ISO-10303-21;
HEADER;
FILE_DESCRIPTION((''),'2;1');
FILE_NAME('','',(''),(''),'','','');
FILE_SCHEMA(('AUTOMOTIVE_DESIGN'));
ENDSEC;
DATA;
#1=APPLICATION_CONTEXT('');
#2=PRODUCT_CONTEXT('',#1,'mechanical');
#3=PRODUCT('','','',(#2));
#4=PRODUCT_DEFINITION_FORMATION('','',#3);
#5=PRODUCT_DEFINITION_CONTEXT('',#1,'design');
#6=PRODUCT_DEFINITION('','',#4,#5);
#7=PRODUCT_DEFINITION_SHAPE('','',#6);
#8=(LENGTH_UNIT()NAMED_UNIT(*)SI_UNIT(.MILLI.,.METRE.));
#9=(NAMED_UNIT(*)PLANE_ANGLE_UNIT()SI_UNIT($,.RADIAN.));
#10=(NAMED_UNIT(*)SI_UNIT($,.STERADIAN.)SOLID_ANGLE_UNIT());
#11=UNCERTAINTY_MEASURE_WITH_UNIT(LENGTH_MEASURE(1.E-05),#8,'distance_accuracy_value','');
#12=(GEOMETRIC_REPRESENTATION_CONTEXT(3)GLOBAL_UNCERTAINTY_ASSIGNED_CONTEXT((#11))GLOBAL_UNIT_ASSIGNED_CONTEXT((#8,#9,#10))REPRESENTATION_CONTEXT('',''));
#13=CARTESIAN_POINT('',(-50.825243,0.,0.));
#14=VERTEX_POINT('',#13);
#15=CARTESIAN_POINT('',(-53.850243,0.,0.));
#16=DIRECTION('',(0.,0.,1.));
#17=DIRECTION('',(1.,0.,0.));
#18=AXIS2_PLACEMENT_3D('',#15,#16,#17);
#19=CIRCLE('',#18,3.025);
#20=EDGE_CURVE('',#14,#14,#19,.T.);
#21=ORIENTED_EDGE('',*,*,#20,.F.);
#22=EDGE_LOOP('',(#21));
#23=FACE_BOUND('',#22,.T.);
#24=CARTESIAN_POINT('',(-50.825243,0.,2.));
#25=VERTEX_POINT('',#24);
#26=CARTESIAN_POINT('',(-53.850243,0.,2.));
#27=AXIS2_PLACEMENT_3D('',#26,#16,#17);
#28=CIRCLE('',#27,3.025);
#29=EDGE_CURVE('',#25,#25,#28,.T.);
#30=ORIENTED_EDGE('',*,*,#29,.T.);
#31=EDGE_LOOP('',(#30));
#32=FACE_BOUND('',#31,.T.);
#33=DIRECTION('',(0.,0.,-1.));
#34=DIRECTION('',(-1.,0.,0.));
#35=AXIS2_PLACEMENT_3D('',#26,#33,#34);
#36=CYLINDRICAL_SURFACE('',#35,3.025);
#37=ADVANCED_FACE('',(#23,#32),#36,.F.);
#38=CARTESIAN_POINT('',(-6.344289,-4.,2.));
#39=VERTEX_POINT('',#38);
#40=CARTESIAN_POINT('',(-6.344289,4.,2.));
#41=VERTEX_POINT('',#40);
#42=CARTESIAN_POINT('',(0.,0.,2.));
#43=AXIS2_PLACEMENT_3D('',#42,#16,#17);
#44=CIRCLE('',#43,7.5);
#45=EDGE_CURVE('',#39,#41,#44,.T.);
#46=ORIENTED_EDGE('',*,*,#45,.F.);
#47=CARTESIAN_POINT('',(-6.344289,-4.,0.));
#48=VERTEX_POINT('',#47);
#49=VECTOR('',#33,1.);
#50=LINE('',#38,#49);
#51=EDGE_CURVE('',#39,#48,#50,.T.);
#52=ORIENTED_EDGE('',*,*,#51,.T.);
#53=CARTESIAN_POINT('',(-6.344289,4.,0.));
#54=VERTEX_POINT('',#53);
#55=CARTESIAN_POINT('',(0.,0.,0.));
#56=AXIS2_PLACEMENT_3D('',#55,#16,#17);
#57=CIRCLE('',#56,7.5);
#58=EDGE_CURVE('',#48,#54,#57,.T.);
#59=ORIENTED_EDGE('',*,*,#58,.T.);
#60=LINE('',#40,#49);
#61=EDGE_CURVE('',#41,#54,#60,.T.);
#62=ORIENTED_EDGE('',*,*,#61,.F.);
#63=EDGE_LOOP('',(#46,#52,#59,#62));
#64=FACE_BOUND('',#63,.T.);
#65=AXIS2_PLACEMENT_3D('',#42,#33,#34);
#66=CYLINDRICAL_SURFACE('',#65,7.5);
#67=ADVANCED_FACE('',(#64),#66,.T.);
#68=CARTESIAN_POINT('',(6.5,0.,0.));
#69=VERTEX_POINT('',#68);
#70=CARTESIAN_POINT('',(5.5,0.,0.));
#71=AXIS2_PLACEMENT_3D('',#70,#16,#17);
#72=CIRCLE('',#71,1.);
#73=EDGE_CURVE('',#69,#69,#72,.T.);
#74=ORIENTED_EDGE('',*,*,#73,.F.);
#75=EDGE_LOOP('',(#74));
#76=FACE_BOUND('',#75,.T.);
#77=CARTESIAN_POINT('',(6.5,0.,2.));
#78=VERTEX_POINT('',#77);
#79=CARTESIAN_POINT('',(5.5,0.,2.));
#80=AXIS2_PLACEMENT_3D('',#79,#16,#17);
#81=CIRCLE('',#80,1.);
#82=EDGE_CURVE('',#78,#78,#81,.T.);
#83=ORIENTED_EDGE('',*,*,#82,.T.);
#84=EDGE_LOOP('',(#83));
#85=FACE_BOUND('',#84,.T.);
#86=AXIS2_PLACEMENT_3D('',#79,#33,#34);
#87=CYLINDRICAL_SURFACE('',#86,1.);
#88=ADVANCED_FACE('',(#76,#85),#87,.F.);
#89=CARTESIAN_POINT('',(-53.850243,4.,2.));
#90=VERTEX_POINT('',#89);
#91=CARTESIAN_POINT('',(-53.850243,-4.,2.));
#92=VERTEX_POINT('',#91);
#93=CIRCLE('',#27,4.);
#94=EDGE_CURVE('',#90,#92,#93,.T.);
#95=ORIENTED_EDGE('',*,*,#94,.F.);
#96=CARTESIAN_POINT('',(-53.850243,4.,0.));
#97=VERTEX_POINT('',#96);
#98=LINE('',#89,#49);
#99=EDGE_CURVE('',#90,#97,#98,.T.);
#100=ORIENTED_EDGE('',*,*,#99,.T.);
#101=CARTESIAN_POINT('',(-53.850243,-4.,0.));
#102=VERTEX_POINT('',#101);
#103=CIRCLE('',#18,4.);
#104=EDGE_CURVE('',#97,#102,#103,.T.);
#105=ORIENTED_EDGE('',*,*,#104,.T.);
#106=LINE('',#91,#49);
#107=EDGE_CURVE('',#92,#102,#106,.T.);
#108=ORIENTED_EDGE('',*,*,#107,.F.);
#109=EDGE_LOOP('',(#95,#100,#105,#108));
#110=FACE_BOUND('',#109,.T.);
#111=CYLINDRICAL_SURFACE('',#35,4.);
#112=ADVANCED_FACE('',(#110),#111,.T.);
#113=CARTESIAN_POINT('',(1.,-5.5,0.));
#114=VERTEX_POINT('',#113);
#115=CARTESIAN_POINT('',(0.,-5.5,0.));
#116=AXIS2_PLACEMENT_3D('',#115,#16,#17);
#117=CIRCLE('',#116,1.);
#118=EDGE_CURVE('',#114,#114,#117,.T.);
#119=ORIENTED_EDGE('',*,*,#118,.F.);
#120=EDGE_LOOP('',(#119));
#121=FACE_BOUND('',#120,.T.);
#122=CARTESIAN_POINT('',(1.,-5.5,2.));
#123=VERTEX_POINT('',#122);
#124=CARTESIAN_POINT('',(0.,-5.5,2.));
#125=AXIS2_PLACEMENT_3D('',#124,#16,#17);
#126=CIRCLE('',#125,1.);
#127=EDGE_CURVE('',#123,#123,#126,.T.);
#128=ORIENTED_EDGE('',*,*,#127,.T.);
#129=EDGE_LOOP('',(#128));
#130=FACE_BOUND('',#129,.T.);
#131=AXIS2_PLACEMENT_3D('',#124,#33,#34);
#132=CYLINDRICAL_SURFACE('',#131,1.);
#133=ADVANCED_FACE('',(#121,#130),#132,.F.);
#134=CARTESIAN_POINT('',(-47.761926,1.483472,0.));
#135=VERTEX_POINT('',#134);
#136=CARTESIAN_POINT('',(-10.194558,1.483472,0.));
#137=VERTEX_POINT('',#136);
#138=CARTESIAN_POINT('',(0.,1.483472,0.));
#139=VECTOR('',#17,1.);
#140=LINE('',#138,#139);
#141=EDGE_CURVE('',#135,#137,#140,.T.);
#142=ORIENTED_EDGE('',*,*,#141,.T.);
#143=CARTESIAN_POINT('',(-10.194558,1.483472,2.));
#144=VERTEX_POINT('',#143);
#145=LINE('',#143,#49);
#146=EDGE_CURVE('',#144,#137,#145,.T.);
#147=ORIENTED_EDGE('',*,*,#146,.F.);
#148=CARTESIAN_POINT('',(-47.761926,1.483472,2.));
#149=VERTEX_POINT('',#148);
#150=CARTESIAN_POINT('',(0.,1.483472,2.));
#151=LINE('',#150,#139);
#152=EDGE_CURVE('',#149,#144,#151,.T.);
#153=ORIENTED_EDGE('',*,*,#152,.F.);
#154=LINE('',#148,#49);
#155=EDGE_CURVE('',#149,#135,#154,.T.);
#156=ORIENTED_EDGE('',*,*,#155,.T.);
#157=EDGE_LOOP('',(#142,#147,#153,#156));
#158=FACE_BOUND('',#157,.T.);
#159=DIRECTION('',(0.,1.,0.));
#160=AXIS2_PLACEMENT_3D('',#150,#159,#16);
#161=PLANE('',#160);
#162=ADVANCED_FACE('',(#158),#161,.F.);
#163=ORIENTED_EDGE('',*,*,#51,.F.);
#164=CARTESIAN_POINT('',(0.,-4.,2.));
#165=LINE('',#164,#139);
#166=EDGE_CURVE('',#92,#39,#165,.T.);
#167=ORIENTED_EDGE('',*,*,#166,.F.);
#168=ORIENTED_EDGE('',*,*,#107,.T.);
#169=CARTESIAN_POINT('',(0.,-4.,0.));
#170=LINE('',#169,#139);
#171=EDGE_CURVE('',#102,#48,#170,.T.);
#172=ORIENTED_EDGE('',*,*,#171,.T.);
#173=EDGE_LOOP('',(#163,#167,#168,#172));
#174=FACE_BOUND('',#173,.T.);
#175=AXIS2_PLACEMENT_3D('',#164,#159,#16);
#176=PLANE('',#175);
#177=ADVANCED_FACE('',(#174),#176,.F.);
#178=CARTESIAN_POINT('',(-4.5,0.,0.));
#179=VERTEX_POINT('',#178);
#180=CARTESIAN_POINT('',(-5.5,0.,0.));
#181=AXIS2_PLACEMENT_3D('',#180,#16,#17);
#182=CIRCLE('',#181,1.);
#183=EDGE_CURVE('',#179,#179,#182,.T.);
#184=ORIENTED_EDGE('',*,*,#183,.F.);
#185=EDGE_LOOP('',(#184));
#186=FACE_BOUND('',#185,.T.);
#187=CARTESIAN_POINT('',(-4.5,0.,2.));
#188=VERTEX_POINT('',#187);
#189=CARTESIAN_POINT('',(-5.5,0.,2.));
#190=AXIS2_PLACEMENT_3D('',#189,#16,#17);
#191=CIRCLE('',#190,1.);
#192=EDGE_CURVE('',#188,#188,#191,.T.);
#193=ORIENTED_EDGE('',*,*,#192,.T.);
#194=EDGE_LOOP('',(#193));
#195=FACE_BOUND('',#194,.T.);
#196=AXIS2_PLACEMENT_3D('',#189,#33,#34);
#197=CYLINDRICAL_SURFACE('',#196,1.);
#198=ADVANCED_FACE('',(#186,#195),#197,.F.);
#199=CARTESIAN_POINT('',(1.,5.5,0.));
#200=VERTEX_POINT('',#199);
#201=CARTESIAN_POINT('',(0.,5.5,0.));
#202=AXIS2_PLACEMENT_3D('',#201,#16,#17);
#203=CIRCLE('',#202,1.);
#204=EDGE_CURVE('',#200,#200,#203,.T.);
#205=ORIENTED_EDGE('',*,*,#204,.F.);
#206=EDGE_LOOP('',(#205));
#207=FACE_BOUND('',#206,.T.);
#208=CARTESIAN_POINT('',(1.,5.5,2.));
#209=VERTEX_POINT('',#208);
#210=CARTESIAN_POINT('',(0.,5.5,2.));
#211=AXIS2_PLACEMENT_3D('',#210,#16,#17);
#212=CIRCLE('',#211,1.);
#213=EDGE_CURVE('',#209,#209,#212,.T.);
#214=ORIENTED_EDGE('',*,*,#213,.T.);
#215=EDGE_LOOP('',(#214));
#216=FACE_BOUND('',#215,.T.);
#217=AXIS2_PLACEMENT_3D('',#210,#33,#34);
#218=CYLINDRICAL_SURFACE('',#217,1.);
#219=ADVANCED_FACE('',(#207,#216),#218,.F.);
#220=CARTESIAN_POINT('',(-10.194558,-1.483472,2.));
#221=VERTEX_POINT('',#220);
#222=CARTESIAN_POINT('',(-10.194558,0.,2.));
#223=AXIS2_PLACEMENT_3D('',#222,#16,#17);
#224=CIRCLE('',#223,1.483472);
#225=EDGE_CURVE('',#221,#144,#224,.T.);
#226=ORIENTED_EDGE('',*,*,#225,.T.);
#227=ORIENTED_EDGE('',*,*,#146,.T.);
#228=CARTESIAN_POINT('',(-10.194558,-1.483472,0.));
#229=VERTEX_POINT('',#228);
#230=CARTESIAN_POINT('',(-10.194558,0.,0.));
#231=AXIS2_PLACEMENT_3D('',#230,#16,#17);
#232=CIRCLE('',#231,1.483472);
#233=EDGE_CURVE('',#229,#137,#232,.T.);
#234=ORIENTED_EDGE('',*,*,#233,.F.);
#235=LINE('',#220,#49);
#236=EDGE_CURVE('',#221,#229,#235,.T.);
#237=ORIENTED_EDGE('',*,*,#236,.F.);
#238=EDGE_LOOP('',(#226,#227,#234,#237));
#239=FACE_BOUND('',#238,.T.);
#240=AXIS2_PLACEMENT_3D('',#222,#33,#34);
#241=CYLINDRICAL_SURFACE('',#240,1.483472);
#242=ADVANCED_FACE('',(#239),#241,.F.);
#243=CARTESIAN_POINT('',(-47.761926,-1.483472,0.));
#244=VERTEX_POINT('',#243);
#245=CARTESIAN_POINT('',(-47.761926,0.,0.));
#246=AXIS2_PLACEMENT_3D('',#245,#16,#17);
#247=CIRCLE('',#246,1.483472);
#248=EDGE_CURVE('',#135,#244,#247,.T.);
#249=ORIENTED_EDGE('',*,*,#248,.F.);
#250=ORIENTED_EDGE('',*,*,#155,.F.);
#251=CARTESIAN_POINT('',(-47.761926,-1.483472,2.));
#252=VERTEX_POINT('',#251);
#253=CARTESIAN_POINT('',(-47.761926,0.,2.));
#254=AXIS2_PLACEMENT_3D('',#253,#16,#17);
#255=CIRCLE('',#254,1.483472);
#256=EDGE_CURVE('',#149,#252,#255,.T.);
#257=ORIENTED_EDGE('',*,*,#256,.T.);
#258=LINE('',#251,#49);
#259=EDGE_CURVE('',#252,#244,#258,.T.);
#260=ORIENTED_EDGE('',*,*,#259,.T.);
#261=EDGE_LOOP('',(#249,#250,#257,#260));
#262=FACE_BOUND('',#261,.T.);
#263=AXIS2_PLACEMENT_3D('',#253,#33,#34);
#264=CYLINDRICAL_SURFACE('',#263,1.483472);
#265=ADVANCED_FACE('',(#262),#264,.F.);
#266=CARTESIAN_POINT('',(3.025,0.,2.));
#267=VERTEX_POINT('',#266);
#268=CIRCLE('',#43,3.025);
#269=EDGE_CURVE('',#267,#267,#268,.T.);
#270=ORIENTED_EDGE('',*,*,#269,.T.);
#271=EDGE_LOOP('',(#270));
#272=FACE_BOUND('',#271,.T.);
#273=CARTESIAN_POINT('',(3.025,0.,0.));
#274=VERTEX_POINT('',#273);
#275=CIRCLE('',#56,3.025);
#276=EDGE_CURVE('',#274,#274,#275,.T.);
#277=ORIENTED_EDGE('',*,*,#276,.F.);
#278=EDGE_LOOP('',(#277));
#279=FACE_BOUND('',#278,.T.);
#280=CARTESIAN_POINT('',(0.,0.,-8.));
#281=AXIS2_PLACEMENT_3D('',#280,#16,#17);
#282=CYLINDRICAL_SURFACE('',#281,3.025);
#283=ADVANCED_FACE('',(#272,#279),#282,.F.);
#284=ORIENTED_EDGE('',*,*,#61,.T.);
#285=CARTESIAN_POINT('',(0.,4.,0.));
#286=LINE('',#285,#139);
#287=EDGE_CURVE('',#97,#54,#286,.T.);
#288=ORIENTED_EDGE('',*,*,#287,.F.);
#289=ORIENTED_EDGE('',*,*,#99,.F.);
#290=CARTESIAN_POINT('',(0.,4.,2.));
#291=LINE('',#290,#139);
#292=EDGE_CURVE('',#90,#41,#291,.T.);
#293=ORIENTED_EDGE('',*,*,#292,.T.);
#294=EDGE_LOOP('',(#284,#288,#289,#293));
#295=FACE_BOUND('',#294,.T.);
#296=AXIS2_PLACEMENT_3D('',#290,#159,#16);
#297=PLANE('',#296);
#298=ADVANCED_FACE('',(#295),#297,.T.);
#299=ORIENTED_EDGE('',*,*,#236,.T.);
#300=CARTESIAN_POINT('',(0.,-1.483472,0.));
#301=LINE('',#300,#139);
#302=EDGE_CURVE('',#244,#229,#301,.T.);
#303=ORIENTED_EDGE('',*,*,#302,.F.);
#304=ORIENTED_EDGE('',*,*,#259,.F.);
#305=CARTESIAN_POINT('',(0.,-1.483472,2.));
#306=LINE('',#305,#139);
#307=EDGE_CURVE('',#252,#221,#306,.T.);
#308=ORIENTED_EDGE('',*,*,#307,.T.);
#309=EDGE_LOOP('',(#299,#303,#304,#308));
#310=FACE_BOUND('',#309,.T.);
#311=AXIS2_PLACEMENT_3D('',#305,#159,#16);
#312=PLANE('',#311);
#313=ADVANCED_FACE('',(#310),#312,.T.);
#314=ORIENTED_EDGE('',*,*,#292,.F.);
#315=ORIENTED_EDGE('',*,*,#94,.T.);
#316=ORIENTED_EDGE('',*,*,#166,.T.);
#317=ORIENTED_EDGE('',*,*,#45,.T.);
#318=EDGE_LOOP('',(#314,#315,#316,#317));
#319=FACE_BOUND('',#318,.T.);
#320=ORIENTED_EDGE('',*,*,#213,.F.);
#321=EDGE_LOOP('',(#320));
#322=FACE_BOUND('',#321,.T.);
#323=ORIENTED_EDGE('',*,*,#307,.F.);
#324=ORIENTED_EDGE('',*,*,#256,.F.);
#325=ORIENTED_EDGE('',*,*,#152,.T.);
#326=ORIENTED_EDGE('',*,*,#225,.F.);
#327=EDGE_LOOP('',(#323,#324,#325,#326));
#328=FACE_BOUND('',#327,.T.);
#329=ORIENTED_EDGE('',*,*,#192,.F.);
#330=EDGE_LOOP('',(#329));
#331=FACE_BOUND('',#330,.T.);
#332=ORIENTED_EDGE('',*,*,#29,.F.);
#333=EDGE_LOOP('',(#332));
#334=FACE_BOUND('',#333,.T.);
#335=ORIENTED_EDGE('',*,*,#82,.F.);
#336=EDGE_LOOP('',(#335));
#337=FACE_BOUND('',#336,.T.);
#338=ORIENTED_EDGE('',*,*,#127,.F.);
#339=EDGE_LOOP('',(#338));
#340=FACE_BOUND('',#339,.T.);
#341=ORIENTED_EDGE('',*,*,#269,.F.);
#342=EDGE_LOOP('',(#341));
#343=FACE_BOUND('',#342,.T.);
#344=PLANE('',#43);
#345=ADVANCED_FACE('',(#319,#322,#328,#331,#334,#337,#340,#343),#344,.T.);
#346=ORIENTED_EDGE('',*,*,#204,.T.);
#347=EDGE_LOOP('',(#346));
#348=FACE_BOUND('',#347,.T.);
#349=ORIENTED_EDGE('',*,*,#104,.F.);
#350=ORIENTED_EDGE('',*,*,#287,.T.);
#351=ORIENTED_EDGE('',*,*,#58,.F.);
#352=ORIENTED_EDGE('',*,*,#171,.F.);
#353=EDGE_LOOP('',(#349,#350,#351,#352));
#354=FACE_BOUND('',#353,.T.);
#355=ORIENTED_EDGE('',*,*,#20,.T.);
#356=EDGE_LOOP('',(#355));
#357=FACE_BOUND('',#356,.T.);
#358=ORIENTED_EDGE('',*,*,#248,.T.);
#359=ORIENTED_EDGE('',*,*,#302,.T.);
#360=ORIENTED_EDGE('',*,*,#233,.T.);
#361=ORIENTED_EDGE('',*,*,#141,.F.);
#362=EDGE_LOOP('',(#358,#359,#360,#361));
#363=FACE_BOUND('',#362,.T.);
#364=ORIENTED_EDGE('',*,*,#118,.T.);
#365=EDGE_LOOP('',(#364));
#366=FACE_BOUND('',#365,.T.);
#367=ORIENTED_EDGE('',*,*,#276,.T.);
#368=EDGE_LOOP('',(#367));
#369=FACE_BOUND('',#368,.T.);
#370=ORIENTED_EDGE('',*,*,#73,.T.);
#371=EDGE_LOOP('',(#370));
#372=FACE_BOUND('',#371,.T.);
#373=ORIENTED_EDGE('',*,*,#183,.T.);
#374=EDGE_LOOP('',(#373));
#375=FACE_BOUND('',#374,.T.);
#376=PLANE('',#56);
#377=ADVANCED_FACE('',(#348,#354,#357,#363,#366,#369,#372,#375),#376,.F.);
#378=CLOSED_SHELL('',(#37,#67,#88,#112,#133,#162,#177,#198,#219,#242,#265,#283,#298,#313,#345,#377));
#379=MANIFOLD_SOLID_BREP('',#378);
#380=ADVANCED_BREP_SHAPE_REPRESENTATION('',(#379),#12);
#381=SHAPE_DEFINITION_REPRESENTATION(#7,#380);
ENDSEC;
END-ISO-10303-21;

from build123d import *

# Parameters (mm, degrees)
SKETCH_1_R          = 1
SKETCH_1_R_2        = 3.025
SKETCH_1_R_3        = 1.5
EXTRUDE_1_DEPTH     = 2
SKETCH_2_R          = 3.025
CUT_EXTRUDE_1_DEPTH = 10


with BuildPart() as part:
    # 草图1 → 凸台-拉伸1 (new body)
    with BuildSketch(Plane.XY):
        with BuildLine():
            Line((-53.850242828, 4), (-6.34428877, 4))
            ThreePointArc((-6.34428877, 4), (7.5, 0), (-6.34428877, -4))
            Line((-6.34428877, -4), (-53.850242828, -4))
            ThreePointArc((-53.850242828, -4), (-57.850242828, 0), (-53.850242828, 4))
        make_face()
        with Locations((0, 5.5)):
            Circle(SKETCH_1_R, mode=Mode.SUBTRACT)
        with Locations((0, -5.5)):
            Circle(SKETCH_1_R, mode=Mode.SUBTRACT)
        with Locations((-53.850242828, 0)):
            Circle(SKETCH_1_R_2, mode=Mode.SUBTRACT)
        Circle(SKETCH_1_R_3, mode=Mode.SUBTRACT)
        with Locations((-5.5, 0)):
            Circle(SKETCH_1_R, mode=Mode.SUBTRACT)
        with Locations((5.5, 0)):
            Circle(SKETCH_1_R, mode=Mode.SUBTRACT)
        with BuildLine():
            ThreePointArc((-10.194558278, -1.483471582), (-8.711086696, 0), (-10.194558278, 1.483471582))
            Line((-10.194558278, 1.483471582), (-47.761926325, 1.483471582))
            ThreePointArc((-47.761926325, 1.483471582), (-49.245397907, 0), (-47.761926325, -1.483471582))
            Line((-47.761926325, -1.483471582), (-10.194558278, -1.483471582))
        make_face(mode=Mode.SUBTRACT)
    extrude(amount=EXTRUDE_1_DEPTH)

    # 草图2 → 切除-拉伸1 (cut)
    with BuildSketch(Plane.XY.offset(2)):
        Circle(SKETCH_2_R)
    extrude(amount=-CUT_EXTRUDE_1_DEPTH, mode=Mode.SUBTRACT)


solid = part.part
